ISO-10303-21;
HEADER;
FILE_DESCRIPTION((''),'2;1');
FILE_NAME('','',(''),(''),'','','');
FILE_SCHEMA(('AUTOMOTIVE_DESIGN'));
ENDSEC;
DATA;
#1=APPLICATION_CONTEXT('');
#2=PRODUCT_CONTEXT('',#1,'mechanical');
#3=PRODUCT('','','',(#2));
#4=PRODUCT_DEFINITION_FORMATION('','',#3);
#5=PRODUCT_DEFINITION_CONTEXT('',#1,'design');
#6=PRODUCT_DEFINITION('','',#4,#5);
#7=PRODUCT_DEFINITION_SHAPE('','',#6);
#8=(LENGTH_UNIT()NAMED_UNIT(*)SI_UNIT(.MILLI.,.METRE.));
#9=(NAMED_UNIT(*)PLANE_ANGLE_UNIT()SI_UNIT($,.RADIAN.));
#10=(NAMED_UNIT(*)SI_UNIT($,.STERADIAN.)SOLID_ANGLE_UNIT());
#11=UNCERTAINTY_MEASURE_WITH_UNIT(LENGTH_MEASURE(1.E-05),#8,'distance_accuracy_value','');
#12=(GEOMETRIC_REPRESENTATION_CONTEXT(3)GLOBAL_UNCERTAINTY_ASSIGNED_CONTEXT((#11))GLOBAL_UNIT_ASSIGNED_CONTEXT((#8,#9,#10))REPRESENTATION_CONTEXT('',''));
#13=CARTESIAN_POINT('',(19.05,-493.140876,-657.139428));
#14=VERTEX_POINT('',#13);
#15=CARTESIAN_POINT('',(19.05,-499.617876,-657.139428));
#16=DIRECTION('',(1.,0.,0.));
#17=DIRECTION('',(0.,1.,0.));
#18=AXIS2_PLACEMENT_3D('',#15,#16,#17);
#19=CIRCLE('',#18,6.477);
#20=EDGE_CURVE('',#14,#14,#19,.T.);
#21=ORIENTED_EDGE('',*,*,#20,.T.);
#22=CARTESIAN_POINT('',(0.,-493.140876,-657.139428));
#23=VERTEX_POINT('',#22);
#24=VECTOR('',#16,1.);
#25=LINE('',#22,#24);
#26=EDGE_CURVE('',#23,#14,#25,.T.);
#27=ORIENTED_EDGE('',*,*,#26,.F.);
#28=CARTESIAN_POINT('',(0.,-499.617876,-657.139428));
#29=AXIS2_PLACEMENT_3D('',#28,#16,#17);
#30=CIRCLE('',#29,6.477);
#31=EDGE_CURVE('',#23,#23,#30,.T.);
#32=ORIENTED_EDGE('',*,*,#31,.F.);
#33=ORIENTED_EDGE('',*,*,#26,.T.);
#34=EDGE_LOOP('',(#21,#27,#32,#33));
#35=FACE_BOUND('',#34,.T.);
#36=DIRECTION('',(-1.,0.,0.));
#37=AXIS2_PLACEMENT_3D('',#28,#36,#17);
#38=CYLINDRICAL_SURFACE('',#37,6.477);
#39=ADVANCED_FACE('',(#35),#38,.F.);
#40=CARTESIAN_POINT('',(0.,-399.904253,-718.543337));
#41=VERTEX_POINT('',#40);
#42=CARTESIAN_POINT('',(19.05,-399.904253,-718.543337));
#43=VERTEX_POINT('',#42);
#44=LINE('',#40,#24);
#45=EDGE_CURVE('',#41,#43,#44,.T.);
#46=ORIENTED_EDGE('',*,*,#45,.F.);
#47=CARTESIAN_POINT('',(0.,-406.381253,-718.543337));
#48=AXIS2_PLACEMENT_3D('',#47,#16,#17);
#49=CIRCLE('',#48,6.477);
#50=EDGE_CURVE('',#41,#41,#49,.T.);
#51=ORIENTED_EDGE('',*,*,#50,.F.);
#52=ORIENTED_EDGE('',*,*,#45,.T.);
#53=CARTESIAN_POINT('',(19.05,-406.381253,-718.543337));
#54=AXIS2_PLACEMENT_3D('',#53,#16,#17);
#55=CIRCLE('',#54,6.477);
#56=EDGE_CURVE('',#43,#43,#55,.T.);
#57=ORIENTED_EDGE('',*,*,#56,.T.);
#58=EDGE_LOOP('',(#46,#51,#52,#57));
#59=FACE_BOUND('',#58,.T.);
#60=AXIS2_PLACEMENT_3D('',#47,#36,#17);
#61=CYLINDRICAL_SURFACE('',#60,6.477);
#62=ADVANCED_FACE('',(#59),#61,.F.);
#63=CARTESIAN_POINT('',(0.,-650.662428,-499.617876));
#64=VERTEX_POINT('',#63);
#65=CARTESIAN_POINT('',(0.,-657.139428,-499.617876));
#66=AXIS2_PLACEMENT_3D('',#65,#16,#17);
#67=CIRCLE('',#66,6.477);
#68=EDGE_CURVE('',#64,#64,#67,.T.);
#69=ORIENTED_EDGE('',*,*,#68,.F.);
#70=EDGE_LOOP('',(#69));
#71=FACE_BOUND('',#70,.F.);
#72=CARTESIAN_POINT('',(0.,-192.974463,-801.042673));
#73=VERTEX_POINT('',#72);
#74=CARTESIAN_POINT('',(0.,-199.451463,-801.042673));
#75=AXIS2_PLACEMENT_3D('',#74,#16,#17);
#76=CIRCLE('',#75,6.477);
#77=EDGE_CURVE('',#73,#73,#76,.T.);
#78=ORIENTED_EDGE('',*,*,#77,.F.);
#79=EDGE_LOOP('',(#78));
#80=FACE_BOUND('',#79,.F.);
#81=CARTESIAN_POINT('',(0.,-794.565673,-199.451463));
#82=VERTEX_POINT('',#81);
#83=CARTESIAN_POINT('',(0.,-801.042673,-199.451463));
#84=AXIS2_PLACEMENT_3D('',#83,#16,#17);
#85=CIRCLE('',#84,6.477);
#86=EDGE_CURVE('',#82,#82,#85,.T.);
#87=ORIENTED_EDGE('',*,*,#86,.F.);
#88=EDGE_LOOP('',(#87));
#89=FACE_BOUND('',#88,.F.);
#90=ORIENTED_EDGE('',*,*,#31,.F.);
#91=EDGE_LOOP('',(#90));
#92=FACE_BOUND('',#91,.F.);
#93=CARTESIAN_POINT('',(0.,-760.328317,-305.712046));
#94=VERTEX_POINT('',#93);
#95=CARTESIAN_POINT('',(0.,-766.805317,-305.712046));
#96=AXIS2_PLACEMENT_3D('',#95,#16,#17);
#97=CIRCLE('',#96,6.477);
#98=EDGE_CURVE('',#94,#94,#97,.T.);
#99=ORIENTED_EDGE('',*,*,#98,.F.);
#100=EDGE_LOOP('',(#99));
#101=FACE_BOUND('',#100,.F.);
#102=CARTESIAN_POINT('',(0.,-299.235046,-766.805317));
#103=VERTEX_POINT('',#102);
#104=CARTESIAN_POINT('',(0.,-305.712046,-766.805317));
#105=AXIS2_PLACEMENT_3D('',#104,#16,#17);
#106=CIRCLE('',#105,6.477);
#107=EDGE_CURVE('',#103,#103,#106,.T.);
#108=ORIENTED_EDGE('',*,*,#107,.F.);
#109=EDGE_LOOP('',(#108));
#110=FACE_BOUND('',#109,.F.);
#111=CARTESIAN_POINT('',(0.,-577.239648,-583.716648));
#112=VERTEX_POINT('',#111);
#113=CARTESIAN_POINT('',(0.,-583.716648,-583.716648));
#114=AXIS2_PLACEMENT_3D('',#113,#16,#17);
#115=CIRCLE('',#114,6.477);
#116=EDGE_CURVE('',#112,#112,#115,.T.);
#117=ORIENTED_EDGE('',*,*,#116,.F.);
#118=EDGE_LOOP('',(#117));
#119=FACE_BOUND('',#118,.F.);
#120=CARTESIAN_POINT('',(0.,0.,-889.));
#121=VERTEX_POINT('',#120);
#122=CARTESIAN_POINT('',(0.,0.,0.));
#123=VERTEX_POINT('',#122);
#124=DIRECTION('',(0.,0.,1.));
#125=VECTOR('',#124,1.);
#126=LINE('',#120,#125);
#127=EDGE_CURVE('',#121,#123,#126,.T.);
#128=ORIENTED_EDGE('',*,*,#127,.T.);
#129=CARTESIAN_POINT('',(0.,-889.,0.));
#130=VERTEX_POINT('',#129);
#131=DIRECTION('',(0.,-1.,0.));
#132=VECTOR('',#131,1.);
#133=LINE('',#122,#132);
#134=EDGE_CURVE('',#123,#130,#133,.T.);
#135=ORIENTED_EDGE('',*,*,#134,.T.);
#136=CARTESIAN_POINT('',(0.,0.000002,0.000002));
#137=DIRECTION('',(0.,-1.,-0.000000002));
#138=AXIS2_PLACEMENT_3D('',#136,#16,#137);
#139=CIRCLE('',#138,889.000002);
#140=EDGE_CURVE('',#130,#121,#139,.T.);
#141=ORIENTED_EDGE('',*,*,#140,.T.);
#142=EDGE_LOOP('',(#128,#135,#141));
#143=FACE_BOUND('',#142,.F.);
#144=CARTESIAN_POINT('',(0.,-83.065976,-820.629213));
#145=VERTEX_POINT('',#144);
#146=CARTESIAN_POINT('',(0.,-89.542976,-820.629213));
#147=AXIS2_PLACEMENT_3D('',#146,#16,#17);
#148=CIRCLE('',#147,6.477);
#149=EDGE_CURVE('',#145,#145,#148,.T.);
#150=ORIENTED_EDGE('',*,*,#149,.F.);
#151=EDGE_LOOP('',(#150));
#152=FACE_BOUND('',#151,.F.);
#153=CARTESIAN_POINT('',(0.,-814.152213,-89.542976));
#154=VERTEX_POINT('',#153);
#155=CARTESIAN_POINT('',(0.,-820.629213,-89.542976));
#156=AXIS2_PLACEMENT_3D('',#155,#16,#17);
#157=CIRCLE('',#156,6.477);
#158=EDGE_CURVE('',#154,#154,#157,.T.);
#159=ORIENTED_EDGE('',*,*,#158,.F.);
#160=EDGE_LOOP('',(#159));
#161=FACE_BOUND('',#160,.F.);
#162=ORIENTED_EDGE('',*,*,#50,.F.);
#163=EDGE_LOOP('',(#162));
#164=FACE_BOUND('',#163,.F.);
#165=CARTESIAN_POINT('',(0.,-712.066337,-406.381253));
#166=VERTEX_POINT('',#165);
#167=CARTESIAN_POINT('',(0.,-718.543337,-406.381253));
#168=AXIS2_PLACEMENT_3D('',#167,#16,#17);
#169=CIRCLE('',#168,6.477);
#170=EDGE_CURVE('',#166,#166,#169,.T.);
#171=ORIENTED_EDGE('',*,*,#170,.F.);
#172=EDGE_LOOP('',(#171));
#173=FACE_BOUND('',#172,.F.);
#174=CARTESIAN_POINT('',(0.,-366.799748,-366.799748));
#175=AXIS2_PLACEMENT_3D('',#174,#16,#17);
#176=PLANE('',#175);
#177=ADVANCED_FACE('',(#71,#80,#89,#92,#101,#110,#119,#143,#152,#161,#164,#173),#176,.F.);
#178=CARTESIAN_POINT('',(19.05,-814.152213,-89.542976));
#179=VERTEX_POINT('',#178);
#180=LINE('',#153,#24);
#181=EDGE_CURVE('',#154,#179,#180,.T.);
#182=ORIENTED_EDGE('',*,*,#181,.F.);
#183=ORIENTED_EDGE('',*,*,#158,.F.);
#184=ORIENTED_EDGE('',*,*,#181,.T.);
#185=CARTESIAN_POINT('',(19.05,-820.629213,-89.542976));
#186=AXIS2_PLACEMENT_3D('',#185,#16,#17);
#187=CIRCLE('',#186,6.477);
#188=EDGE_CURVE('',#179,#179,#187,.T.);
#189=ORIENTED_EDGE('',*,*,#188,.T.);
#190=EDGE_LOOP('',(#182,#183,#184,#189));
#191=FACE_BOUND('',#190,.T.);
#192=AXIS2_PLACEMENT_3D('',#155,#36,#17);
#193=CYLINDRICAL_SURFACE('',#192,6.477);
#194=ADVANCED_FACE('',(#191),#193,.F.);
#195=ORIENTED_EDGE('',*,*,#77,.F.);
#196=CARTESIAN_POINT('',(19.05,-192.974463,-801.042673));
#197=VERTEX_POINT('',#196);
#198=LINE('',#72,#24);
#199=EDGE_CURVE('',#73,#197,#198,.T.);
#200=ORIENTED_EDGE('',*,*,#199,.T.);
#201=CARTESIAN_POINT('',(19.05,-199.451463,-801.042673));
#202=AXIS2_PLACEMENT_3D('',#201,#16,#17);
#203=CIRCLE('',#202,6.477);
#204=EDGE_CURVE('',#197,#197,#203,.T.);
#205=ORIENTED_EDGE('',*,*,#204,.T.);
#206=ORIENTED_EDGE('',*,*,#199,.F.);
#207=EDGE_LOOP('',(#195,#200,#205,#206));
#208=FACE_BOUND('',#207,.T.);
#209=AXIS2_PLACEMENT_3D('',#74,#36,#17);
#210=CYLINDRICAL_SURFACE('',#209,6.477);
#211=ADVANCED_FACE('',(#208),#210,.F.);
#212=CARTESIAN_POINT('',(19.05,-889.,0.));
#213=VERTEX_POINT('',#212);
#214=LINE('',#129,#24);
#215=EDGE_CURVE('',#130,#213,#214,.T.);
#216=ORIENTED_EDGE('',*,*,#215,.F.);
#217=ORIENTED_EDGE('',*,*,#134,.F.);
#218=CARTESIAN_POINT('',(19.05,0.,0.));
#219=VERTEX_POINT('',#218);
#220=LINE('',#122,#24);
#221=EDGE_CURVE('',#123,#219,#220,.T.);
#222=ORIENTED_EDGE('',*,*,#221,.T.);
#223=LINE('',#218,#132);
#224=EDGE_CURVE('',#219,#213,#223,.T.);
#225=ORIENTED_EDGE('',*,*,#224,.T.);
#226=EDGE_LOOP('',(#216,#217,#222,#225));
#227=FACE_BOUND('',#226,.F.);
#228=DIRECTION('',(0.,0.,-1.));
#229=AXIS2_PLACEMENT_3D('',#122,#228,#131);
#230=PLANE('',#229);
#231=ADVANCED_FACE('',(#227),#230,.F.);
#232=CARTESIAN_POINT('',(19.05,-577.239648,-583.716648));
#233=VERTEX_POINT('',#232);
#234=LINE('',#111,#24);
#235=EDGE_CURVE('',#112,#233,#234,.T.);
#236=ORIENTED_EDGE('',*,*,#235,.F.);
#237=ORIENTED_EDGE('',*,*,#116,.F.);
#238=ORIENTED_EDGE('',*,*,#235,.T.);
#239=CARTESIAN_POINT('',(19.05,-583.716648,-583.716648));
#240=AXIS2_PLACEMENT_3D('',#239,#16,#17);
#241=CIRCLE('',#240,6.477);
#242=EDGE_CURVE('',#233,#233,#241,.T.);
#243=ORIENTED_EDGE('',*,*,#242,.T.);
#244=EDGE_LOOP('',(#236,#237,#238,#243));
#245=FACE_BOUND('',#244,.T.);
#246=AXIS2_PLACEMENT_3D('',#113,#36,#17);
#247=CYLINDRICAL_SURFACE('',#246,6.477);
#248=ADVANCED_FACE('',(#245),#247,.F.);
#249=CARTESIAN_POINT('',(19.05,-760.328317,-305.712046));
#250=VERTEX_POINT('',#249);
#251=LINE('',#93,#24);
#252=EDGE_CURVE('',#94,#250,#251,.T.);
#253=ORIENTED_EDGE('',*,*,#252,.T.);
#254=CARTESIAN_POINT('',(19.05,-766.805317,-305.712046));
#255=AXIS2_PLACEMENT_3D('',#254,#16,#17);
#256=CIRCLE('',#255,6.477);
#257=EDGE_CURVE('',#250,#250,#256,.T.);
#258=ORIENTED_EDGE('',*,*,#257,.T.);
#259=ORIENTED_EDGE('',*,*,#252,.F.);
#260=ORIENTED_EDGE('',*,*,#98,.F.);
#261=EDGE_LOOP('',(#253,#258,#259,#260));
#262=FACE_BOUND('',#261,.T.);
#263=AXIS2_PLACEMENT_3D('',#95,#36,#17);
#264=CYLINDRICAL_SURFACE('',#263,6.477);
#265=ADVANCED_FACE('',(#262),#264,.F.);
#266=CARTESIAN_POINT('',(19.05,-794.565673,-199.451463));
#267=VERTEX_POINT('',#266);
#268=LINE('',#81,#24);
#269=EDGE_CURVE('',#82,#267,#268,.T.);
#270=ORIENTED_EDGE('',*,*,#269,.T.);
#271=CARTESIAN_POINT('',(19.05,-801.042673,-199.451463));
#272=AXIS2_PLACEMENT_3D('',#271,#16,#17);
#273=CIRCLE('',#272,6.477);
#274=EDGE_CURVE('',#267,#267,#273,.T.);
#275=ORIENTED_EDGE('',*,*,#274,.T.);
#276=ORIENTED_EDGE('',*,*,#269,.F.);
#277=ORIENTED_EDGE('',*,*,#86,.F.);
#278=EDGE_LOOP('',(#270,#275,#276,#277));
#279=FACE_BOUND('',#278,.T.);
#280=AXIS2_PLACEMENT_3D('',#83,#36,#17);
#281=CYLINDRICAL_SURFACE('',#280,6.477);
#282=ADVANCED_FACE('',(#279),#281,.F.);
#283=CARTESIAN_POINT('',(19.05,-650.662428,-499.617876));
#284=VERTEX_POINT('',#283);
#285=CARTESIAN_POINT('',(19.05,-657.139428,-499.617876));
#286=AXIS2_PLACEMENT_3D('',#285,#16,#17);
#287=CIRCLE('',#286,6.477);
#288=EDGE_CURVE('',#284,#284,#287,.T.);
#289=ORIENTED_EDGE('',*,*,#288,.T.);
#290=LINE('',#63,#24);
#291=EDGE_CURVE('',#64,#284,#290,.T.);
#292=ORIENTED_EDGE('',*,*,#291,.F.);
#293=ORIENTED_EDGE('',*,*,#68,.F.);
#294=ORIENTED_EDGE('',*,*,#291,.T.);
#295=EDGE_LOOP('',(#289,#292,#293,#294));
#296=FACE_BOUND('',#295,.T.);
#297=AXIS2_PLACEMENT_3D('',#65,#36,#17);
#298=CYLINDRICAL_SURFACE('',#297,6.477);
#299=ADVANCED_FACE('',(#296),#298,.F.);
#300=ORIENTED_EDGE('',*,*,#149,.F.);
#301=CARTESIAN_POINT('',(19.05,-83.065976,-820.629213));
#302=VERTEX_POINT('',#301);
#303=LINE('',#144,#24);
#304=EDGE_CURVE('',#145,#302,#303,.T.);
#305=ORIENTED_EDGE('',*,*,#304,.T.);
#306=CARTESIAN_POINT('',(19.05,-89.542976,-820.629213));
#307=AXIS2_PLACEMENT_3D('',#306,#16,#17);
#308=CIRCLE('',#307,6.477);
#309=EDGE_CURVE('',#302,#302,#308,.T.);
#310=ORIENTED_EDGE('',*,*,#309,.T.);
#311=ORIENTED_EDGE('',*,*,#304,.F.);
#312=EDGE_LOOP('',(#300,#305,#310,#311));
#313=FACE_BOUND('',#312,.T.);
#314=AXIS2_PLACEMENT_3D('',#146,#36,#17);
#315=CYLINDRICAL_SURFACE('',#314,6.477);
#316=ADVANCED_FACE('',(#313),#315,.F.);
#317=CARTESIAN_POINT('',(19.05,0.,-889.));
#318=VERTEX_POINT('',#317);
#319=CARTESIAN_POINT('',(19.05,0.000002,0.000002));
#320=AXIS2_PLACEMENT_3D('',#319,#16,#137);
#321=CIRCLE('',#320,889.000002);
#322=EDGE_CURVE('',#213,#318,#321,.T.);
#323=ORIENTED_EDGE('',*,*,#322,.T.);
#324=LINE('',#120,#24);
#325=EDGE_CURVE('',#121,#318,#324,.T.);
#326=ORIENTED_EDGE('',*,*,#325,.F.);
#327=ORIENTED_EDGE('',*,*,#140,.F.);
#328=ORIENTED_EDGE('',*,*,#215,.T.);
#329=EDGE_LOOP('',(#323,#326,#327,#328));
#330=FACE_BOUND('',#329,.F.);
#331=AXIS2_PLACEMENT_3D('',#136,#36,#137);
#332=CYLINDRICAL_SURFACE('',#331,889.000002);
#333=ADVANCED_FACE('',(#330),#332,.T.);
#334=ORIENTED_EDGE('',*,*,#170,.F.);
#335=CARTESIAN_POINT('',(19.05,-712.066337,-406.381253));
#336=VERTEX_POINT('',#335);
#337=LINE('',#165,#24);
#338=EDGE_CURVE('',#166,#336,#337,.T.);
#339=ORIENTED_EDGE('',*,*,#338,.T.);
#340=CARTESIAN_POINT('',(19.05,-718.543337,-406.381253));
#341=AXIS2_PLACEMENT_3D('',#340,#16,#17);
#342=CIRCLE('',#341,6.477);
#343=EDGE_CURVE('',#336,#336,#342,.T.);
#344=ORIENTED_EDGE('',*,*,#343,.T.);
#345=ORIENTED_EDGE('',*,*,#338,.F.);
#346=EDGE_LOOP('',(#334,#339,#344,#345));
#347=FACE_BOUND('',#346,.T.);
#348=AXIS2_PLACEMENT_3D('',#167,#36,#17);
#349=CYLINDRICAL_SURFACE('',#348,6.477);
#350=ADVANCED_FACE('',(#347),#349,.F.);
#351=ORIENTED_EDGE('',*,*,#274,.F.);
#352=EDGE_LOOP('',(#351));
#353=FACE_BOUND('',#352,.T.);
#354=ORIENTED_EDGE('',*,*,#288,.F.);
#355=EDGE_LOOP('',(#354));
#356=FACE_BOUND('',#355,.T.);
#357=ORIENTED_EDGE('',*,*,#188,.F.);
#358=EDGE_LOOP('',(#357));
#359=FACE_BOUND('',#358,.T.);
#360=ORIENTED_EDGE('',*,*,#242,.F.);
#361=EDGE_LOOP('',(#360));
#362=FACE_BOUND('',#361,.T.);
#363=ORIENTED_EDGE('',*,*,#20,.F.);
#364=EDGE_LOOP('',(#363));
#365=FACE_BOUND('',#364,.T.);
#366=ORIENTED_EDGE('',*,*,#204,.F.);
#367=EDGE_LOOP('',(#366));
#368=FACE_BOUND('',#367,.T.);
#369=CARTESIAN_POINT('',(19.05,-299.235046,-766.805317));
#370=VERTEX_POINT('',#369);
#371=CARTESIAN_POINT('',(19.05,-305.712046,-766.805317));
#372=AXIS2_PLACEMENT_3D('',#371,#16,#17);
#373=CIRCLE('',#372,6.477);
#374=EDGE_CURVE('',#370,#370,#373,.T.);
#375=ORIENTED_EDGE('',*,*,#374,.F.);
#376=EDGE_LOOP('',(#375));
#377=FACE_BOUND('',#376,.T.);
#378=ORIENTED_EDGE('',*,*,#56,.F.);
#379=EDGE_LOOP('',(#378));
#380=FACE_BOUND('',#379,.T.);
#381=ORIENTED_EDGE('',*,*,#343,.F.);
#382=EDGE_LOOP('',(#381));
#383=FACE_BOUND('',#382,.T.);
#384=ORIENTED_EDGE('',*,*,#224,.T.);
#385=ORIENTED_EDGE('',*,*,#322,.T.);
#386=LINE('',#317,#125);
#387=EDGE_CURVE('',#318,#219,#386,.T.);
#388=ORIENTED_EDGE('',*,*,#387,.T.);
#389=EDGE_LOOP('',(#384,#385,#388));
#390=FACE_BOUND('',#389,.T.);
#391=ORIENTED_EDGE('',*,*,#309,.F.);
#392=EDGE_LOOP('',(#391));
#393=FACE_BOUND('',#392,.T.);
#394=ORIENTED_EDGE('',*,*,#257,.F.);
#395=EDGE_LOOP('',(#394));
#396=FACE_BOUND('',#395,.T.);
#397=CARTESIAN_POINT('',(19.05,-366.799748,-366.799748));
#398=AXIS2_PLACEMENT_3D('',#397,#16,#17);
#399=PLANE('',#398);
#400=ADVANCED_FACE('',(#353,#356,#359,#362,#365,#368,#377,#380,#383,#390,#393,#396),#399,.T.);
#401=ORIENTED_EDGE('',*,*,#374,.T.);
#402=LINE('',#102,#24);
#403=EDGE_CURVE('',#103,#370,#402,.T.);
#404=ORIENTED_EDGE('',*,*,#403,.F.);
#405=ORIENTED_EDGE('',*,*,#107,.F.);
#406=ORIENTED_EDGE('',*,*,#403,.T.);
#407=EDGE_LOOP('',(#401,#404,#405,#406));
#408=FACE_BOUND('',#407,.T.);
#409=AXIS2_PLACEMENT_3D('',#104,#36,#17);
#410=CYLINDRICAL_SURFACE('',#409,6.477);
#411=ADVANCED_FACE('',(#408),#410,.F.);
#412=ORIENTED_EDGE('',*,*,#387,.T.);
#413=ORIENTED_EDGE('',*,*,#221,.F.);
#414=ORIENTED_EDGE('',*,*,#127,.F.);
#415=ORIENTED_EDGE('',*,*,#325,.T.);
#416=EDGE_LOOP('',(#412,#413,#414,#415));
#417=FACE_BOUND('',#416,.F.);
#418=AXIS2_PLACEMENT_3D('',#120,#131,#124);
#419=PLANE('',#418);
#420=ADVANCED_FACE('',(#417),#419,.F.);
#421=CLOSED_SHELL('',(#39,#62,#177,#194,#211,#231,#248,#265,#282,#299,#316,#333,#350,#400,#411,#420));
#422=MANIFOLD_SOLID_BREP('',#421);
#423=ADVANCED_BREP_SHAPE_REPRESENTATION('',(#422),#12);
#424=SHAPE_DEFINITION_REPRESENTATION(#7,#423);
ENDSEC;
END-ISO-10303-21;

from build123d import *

# Parameters (mm, degrees)
F0_R     = 6.477
F1_DEPTH = 19.05


with BuildPart() as f1:
    # F0 (on Right) → F1 (new body)
    with BuildSketch(Plane.YZ):
        with BuildLine():
            Line((0, 0), (-889, 0))
            ThreePointArc((-889, 0), (-628.617928, -628.617928), (0, -889))
            Line((0, -889), (0, 0))
        make_face()
        with Locations((-499.617876, -657.139428)):
            Circle(F0_R, mode=Mode.SUBTRACT)
        with Locations((-718.543337, -406.381253)):
            Circle(F0_R, mode=Mode.SUBTRACT)
        with Locations((-583.716648, -583.716648)):
            Circle(F0_R, mode=Mode.SUBTRACT)
        with Locations((-657.139428, -499.617876)):
            Circle(F0_R, mode=Mode.SUBTRACT)
        with Locations((-305.712046, -766.805317)):
            Circle(F0_R, mode=Mode.SUBTRACT)
        with Locations((-406.381253, -718.543337)):
            Circle(F0_R, mode=Mode.SUBTRACT)
        with Locations((-199.451463, -801.042673)):
            Circle(F0_R, mode=Mode.SUBTRACT)
        with Locations((-89.542976, -820.629213)):
            Circle(F0_R, mode=Mode.SUBTRACT)
        with Locations((-766.805317, -305.712046)):
            Circle(F0_R, mode=Mode.SUBTRACT)
        with Locations((-801.042673, -199.451463)):
            Circle(F0_R, mode=Mode.SUBTRACT)
        with Locations((-820.629213, -89.542976)):
            Circle(F0_R, mode=Mode.SUBTRACT)
    extrude(amount=F1_DEPTH)


solid = f1.part
